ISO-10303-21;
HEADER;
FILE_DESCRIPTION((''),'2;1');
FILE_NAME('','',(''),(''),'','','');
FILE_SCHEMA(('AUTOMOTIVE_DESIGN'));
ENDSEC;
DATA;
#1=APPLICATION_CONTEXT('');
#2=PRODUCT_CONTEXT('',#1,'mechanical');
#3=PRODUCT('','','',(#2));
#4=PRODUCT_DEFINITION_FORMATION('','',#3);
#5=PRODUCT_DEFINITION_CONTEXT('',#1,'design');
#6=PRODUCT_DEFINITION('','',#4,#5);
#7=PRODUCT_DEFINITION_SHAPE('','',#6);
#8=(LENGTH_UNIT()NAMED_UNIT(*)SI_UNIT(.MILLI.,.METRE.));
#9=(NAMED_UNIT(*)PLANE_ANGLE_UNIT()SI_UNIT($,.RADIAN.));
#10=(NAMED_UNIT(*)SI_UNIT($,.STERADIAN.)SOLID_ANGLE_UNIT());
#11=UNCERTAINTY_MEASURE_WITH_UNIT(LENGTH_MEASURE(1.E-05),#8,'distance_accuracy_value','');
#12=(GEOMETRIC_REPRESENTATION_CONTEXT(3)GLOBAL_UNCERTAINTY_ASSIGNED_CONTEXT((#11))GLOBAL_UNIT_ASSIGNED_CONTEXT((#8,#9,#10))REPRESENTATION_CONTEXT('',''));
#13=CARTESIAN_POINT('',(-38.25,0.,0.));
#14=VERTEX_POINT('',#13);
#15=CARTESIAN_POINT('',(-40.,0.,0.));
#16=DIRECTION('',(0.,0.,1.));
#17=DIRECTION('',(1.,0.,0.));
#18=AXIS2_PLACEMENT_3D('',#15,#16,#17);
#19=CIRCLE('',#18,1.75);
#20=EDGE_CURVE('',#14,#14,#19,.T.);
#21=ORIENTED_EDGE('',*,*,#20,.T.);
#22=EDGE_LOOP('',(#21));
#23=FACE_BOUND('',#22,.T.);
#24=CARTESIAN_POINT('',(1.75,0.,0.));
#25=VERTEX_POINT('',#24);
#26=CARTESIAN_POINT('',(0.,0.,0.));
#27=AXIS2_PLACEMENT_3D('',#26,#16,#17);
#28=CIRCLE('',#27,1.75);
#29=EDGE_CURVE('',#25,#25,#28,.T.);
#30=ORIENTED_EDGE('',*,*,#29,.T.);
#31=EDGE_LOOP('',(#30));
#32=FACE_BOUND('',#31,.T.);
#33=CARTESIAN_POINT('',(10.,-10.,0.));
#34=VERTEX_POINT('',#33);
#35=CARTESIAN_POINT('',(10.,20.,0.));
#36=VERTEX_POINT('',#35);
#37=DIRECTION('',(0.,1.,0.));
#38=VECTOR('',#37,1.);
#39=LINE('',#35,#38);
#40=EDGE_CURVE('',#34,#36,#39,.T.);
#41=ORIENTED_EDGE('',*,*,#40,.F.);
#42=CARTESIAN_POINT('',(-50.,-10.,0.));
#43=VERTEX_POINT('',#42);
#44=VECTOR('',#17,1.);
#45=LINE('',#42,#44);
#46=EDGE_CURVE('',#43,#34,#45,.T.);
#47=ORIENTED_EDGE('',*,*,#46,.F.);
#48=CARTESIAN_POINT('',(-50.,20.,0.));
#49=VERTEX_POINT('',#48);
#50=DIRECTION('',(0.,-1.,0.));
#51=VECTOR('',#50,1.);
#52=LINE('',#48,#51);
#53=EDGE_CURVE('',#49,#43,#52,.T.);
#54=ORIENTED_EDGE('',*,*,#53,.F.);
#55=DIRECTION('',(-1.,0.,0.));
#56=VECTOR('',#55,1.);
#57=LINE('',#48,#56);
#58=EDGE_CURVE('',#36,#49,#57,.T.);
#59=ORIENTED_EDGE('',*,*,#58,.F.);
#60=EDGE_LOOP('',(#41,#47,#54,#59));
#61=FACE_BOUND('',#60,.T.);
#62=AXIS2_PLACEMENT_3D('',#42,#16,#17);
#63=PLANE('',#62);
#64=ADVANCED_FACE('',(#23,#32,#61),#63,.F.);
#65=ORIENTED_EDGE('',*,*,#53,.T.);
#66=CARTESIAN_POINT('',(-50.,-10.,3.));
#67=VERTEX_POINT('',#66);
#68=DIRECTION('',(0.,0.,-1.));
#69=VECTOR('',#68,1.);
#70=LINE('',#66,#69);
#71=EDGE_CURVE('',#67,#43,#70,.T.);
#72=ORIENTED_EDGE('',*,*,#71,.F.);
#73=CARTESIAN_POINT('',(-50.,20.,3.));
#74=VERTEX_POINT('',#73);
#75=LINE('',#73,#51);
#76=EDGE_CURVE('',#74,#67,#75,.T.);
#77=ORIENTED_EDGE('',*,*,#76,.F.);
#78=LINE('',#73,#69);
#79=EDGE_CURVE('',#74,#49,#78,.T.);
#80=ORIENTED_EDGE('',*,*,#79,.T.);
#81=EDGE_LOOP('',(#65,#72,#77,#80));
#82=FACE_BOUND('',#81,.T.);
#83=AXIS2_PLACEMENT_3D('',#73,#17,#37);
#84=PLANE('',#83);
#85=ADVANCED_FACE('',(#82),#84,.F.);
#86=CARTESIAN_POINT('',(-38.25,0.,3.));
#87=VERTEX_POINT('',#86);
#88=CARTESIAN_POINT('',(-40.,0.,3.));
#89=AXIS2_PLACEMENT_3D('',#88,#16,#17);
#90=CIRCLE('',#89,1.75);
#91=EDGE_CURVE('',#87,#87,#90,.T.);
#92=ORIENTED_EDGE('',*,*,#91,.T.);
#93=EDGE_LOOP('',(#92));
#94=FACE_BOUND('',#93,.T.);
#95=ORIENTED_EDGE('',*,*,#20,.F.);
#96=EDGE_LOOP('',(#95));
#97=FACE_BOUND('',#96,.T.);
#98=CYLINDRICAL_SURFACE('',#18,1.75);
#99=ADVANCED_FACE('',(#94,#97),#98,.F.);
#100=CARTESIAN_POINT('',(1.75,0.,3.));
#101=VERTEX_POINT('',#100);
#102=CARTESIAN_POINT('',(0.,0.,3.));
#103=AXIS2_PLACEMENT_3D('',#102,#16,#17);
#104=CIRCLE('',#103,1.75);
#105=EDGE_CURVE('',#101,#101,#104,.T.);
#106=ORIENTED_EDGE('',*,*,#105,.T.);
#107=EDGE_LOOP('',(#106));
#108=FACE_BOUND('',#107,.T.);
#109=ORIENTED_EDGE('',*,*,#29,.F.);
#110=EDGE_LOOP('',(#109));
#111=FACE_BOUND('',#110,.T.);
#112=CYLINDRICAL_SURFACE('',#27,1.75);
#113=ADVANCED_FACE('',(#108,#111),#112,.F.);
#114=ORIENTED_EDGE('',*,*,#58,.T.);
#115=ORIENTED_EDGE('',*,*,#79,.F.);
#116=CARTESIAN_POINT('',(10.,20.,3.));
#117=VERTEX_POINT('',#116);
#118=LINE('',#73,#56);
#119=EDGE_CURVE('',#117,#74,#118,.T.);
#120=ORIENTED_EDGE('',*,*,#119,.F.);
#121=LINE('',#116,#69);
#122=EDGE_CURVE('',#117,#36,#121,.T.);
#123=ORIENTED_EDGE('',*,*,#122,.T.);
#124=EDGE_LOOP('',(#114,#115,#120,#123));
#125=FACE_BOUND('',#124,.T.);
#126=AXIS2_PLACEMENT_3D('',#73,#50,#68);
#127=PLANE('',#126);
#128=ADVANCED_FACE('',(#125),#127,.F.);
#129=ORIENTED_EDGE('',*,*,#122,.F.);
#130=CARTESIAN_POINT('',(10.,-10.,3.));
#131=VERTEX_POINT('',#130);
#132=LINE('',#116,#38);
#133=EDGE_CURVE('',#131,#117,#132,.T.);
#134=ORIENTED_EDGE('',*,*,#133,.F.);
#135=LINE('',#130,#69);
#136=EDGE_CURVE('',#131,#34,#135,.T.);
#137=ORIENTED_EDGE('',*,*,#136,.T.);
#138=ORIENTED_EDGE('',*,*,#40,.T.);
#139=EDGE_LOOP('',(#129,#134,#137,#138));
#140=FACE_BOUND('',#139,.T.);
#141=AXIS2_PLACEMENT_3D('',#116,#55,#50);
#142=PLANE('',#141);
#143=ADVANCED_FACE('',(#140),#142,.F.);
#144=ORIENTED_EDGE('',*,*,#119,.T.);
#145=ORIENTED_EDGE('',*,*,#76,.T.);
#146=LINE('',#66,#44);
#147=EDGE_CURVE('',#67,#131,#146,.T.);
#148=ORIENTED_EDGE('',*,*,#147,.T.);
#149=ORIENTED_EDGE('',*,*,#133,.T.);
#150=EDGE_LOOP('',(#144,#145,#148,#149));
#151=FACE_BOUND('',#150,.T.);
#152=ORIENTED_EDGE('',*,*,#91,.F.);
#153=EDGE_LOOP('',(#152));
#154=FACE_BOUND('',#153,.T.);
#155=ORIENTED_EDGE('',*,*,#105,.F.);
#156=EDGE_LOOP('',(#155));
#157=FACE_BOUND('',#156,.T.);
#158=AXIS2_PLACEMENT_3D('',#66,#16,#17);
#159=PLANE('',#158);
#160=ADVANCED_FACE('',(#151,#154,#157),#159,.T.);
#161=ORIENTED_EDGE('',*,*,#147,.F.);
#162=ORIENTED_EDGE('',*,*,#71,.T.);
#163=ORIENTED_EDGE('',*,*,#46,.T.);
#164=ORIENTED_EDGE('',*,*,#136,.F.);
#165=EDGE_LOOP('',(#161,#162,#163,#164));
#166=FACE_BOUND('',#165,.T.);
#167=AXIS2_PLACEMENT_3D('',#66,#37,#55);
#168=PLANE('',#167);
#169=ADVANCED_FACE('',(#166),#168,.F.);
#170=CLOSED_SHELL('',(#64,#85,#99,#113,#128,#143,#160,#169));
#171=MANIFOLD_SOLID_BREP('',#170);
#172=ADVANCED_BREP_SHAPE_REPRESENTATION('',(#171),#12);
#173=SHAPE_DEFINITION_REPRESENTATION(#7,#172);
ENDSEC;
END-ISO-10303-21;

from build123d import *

# Parameters (mm, degrees)
SKETCH_1_W          = 60
SKETCH_1_H          = 30
EXTRUDE_1_DEPTH     = 3
SKETCH_2_R          = 1.75
CUT_EXTRUDE_2_DEPTH = 54.935146241


with BuildPart() as part:
    # 草圖1 → 伸長1 (new body)
    with BuildSketch(Plane.XY):
        with Locations((-20, 5)):
            Rectangle(SKETCH_1_W, SKETCH_1_H)
    extrude(amount=EXTRUDE_1_DEPTH)

    # 草圖2 → 伸長2 (cut, through all)
    with BuildSketch(Plane.XY.offset(3)):
        with Locations((-40, 0)):
            Circle(SKETCH_2_R)
        Circle(SKETCH_2_R)
    extrude(amount=-CUT_EXTRUDE_2_DEPTH, mode=Mode.SUBTRACT)


solid = part.part
